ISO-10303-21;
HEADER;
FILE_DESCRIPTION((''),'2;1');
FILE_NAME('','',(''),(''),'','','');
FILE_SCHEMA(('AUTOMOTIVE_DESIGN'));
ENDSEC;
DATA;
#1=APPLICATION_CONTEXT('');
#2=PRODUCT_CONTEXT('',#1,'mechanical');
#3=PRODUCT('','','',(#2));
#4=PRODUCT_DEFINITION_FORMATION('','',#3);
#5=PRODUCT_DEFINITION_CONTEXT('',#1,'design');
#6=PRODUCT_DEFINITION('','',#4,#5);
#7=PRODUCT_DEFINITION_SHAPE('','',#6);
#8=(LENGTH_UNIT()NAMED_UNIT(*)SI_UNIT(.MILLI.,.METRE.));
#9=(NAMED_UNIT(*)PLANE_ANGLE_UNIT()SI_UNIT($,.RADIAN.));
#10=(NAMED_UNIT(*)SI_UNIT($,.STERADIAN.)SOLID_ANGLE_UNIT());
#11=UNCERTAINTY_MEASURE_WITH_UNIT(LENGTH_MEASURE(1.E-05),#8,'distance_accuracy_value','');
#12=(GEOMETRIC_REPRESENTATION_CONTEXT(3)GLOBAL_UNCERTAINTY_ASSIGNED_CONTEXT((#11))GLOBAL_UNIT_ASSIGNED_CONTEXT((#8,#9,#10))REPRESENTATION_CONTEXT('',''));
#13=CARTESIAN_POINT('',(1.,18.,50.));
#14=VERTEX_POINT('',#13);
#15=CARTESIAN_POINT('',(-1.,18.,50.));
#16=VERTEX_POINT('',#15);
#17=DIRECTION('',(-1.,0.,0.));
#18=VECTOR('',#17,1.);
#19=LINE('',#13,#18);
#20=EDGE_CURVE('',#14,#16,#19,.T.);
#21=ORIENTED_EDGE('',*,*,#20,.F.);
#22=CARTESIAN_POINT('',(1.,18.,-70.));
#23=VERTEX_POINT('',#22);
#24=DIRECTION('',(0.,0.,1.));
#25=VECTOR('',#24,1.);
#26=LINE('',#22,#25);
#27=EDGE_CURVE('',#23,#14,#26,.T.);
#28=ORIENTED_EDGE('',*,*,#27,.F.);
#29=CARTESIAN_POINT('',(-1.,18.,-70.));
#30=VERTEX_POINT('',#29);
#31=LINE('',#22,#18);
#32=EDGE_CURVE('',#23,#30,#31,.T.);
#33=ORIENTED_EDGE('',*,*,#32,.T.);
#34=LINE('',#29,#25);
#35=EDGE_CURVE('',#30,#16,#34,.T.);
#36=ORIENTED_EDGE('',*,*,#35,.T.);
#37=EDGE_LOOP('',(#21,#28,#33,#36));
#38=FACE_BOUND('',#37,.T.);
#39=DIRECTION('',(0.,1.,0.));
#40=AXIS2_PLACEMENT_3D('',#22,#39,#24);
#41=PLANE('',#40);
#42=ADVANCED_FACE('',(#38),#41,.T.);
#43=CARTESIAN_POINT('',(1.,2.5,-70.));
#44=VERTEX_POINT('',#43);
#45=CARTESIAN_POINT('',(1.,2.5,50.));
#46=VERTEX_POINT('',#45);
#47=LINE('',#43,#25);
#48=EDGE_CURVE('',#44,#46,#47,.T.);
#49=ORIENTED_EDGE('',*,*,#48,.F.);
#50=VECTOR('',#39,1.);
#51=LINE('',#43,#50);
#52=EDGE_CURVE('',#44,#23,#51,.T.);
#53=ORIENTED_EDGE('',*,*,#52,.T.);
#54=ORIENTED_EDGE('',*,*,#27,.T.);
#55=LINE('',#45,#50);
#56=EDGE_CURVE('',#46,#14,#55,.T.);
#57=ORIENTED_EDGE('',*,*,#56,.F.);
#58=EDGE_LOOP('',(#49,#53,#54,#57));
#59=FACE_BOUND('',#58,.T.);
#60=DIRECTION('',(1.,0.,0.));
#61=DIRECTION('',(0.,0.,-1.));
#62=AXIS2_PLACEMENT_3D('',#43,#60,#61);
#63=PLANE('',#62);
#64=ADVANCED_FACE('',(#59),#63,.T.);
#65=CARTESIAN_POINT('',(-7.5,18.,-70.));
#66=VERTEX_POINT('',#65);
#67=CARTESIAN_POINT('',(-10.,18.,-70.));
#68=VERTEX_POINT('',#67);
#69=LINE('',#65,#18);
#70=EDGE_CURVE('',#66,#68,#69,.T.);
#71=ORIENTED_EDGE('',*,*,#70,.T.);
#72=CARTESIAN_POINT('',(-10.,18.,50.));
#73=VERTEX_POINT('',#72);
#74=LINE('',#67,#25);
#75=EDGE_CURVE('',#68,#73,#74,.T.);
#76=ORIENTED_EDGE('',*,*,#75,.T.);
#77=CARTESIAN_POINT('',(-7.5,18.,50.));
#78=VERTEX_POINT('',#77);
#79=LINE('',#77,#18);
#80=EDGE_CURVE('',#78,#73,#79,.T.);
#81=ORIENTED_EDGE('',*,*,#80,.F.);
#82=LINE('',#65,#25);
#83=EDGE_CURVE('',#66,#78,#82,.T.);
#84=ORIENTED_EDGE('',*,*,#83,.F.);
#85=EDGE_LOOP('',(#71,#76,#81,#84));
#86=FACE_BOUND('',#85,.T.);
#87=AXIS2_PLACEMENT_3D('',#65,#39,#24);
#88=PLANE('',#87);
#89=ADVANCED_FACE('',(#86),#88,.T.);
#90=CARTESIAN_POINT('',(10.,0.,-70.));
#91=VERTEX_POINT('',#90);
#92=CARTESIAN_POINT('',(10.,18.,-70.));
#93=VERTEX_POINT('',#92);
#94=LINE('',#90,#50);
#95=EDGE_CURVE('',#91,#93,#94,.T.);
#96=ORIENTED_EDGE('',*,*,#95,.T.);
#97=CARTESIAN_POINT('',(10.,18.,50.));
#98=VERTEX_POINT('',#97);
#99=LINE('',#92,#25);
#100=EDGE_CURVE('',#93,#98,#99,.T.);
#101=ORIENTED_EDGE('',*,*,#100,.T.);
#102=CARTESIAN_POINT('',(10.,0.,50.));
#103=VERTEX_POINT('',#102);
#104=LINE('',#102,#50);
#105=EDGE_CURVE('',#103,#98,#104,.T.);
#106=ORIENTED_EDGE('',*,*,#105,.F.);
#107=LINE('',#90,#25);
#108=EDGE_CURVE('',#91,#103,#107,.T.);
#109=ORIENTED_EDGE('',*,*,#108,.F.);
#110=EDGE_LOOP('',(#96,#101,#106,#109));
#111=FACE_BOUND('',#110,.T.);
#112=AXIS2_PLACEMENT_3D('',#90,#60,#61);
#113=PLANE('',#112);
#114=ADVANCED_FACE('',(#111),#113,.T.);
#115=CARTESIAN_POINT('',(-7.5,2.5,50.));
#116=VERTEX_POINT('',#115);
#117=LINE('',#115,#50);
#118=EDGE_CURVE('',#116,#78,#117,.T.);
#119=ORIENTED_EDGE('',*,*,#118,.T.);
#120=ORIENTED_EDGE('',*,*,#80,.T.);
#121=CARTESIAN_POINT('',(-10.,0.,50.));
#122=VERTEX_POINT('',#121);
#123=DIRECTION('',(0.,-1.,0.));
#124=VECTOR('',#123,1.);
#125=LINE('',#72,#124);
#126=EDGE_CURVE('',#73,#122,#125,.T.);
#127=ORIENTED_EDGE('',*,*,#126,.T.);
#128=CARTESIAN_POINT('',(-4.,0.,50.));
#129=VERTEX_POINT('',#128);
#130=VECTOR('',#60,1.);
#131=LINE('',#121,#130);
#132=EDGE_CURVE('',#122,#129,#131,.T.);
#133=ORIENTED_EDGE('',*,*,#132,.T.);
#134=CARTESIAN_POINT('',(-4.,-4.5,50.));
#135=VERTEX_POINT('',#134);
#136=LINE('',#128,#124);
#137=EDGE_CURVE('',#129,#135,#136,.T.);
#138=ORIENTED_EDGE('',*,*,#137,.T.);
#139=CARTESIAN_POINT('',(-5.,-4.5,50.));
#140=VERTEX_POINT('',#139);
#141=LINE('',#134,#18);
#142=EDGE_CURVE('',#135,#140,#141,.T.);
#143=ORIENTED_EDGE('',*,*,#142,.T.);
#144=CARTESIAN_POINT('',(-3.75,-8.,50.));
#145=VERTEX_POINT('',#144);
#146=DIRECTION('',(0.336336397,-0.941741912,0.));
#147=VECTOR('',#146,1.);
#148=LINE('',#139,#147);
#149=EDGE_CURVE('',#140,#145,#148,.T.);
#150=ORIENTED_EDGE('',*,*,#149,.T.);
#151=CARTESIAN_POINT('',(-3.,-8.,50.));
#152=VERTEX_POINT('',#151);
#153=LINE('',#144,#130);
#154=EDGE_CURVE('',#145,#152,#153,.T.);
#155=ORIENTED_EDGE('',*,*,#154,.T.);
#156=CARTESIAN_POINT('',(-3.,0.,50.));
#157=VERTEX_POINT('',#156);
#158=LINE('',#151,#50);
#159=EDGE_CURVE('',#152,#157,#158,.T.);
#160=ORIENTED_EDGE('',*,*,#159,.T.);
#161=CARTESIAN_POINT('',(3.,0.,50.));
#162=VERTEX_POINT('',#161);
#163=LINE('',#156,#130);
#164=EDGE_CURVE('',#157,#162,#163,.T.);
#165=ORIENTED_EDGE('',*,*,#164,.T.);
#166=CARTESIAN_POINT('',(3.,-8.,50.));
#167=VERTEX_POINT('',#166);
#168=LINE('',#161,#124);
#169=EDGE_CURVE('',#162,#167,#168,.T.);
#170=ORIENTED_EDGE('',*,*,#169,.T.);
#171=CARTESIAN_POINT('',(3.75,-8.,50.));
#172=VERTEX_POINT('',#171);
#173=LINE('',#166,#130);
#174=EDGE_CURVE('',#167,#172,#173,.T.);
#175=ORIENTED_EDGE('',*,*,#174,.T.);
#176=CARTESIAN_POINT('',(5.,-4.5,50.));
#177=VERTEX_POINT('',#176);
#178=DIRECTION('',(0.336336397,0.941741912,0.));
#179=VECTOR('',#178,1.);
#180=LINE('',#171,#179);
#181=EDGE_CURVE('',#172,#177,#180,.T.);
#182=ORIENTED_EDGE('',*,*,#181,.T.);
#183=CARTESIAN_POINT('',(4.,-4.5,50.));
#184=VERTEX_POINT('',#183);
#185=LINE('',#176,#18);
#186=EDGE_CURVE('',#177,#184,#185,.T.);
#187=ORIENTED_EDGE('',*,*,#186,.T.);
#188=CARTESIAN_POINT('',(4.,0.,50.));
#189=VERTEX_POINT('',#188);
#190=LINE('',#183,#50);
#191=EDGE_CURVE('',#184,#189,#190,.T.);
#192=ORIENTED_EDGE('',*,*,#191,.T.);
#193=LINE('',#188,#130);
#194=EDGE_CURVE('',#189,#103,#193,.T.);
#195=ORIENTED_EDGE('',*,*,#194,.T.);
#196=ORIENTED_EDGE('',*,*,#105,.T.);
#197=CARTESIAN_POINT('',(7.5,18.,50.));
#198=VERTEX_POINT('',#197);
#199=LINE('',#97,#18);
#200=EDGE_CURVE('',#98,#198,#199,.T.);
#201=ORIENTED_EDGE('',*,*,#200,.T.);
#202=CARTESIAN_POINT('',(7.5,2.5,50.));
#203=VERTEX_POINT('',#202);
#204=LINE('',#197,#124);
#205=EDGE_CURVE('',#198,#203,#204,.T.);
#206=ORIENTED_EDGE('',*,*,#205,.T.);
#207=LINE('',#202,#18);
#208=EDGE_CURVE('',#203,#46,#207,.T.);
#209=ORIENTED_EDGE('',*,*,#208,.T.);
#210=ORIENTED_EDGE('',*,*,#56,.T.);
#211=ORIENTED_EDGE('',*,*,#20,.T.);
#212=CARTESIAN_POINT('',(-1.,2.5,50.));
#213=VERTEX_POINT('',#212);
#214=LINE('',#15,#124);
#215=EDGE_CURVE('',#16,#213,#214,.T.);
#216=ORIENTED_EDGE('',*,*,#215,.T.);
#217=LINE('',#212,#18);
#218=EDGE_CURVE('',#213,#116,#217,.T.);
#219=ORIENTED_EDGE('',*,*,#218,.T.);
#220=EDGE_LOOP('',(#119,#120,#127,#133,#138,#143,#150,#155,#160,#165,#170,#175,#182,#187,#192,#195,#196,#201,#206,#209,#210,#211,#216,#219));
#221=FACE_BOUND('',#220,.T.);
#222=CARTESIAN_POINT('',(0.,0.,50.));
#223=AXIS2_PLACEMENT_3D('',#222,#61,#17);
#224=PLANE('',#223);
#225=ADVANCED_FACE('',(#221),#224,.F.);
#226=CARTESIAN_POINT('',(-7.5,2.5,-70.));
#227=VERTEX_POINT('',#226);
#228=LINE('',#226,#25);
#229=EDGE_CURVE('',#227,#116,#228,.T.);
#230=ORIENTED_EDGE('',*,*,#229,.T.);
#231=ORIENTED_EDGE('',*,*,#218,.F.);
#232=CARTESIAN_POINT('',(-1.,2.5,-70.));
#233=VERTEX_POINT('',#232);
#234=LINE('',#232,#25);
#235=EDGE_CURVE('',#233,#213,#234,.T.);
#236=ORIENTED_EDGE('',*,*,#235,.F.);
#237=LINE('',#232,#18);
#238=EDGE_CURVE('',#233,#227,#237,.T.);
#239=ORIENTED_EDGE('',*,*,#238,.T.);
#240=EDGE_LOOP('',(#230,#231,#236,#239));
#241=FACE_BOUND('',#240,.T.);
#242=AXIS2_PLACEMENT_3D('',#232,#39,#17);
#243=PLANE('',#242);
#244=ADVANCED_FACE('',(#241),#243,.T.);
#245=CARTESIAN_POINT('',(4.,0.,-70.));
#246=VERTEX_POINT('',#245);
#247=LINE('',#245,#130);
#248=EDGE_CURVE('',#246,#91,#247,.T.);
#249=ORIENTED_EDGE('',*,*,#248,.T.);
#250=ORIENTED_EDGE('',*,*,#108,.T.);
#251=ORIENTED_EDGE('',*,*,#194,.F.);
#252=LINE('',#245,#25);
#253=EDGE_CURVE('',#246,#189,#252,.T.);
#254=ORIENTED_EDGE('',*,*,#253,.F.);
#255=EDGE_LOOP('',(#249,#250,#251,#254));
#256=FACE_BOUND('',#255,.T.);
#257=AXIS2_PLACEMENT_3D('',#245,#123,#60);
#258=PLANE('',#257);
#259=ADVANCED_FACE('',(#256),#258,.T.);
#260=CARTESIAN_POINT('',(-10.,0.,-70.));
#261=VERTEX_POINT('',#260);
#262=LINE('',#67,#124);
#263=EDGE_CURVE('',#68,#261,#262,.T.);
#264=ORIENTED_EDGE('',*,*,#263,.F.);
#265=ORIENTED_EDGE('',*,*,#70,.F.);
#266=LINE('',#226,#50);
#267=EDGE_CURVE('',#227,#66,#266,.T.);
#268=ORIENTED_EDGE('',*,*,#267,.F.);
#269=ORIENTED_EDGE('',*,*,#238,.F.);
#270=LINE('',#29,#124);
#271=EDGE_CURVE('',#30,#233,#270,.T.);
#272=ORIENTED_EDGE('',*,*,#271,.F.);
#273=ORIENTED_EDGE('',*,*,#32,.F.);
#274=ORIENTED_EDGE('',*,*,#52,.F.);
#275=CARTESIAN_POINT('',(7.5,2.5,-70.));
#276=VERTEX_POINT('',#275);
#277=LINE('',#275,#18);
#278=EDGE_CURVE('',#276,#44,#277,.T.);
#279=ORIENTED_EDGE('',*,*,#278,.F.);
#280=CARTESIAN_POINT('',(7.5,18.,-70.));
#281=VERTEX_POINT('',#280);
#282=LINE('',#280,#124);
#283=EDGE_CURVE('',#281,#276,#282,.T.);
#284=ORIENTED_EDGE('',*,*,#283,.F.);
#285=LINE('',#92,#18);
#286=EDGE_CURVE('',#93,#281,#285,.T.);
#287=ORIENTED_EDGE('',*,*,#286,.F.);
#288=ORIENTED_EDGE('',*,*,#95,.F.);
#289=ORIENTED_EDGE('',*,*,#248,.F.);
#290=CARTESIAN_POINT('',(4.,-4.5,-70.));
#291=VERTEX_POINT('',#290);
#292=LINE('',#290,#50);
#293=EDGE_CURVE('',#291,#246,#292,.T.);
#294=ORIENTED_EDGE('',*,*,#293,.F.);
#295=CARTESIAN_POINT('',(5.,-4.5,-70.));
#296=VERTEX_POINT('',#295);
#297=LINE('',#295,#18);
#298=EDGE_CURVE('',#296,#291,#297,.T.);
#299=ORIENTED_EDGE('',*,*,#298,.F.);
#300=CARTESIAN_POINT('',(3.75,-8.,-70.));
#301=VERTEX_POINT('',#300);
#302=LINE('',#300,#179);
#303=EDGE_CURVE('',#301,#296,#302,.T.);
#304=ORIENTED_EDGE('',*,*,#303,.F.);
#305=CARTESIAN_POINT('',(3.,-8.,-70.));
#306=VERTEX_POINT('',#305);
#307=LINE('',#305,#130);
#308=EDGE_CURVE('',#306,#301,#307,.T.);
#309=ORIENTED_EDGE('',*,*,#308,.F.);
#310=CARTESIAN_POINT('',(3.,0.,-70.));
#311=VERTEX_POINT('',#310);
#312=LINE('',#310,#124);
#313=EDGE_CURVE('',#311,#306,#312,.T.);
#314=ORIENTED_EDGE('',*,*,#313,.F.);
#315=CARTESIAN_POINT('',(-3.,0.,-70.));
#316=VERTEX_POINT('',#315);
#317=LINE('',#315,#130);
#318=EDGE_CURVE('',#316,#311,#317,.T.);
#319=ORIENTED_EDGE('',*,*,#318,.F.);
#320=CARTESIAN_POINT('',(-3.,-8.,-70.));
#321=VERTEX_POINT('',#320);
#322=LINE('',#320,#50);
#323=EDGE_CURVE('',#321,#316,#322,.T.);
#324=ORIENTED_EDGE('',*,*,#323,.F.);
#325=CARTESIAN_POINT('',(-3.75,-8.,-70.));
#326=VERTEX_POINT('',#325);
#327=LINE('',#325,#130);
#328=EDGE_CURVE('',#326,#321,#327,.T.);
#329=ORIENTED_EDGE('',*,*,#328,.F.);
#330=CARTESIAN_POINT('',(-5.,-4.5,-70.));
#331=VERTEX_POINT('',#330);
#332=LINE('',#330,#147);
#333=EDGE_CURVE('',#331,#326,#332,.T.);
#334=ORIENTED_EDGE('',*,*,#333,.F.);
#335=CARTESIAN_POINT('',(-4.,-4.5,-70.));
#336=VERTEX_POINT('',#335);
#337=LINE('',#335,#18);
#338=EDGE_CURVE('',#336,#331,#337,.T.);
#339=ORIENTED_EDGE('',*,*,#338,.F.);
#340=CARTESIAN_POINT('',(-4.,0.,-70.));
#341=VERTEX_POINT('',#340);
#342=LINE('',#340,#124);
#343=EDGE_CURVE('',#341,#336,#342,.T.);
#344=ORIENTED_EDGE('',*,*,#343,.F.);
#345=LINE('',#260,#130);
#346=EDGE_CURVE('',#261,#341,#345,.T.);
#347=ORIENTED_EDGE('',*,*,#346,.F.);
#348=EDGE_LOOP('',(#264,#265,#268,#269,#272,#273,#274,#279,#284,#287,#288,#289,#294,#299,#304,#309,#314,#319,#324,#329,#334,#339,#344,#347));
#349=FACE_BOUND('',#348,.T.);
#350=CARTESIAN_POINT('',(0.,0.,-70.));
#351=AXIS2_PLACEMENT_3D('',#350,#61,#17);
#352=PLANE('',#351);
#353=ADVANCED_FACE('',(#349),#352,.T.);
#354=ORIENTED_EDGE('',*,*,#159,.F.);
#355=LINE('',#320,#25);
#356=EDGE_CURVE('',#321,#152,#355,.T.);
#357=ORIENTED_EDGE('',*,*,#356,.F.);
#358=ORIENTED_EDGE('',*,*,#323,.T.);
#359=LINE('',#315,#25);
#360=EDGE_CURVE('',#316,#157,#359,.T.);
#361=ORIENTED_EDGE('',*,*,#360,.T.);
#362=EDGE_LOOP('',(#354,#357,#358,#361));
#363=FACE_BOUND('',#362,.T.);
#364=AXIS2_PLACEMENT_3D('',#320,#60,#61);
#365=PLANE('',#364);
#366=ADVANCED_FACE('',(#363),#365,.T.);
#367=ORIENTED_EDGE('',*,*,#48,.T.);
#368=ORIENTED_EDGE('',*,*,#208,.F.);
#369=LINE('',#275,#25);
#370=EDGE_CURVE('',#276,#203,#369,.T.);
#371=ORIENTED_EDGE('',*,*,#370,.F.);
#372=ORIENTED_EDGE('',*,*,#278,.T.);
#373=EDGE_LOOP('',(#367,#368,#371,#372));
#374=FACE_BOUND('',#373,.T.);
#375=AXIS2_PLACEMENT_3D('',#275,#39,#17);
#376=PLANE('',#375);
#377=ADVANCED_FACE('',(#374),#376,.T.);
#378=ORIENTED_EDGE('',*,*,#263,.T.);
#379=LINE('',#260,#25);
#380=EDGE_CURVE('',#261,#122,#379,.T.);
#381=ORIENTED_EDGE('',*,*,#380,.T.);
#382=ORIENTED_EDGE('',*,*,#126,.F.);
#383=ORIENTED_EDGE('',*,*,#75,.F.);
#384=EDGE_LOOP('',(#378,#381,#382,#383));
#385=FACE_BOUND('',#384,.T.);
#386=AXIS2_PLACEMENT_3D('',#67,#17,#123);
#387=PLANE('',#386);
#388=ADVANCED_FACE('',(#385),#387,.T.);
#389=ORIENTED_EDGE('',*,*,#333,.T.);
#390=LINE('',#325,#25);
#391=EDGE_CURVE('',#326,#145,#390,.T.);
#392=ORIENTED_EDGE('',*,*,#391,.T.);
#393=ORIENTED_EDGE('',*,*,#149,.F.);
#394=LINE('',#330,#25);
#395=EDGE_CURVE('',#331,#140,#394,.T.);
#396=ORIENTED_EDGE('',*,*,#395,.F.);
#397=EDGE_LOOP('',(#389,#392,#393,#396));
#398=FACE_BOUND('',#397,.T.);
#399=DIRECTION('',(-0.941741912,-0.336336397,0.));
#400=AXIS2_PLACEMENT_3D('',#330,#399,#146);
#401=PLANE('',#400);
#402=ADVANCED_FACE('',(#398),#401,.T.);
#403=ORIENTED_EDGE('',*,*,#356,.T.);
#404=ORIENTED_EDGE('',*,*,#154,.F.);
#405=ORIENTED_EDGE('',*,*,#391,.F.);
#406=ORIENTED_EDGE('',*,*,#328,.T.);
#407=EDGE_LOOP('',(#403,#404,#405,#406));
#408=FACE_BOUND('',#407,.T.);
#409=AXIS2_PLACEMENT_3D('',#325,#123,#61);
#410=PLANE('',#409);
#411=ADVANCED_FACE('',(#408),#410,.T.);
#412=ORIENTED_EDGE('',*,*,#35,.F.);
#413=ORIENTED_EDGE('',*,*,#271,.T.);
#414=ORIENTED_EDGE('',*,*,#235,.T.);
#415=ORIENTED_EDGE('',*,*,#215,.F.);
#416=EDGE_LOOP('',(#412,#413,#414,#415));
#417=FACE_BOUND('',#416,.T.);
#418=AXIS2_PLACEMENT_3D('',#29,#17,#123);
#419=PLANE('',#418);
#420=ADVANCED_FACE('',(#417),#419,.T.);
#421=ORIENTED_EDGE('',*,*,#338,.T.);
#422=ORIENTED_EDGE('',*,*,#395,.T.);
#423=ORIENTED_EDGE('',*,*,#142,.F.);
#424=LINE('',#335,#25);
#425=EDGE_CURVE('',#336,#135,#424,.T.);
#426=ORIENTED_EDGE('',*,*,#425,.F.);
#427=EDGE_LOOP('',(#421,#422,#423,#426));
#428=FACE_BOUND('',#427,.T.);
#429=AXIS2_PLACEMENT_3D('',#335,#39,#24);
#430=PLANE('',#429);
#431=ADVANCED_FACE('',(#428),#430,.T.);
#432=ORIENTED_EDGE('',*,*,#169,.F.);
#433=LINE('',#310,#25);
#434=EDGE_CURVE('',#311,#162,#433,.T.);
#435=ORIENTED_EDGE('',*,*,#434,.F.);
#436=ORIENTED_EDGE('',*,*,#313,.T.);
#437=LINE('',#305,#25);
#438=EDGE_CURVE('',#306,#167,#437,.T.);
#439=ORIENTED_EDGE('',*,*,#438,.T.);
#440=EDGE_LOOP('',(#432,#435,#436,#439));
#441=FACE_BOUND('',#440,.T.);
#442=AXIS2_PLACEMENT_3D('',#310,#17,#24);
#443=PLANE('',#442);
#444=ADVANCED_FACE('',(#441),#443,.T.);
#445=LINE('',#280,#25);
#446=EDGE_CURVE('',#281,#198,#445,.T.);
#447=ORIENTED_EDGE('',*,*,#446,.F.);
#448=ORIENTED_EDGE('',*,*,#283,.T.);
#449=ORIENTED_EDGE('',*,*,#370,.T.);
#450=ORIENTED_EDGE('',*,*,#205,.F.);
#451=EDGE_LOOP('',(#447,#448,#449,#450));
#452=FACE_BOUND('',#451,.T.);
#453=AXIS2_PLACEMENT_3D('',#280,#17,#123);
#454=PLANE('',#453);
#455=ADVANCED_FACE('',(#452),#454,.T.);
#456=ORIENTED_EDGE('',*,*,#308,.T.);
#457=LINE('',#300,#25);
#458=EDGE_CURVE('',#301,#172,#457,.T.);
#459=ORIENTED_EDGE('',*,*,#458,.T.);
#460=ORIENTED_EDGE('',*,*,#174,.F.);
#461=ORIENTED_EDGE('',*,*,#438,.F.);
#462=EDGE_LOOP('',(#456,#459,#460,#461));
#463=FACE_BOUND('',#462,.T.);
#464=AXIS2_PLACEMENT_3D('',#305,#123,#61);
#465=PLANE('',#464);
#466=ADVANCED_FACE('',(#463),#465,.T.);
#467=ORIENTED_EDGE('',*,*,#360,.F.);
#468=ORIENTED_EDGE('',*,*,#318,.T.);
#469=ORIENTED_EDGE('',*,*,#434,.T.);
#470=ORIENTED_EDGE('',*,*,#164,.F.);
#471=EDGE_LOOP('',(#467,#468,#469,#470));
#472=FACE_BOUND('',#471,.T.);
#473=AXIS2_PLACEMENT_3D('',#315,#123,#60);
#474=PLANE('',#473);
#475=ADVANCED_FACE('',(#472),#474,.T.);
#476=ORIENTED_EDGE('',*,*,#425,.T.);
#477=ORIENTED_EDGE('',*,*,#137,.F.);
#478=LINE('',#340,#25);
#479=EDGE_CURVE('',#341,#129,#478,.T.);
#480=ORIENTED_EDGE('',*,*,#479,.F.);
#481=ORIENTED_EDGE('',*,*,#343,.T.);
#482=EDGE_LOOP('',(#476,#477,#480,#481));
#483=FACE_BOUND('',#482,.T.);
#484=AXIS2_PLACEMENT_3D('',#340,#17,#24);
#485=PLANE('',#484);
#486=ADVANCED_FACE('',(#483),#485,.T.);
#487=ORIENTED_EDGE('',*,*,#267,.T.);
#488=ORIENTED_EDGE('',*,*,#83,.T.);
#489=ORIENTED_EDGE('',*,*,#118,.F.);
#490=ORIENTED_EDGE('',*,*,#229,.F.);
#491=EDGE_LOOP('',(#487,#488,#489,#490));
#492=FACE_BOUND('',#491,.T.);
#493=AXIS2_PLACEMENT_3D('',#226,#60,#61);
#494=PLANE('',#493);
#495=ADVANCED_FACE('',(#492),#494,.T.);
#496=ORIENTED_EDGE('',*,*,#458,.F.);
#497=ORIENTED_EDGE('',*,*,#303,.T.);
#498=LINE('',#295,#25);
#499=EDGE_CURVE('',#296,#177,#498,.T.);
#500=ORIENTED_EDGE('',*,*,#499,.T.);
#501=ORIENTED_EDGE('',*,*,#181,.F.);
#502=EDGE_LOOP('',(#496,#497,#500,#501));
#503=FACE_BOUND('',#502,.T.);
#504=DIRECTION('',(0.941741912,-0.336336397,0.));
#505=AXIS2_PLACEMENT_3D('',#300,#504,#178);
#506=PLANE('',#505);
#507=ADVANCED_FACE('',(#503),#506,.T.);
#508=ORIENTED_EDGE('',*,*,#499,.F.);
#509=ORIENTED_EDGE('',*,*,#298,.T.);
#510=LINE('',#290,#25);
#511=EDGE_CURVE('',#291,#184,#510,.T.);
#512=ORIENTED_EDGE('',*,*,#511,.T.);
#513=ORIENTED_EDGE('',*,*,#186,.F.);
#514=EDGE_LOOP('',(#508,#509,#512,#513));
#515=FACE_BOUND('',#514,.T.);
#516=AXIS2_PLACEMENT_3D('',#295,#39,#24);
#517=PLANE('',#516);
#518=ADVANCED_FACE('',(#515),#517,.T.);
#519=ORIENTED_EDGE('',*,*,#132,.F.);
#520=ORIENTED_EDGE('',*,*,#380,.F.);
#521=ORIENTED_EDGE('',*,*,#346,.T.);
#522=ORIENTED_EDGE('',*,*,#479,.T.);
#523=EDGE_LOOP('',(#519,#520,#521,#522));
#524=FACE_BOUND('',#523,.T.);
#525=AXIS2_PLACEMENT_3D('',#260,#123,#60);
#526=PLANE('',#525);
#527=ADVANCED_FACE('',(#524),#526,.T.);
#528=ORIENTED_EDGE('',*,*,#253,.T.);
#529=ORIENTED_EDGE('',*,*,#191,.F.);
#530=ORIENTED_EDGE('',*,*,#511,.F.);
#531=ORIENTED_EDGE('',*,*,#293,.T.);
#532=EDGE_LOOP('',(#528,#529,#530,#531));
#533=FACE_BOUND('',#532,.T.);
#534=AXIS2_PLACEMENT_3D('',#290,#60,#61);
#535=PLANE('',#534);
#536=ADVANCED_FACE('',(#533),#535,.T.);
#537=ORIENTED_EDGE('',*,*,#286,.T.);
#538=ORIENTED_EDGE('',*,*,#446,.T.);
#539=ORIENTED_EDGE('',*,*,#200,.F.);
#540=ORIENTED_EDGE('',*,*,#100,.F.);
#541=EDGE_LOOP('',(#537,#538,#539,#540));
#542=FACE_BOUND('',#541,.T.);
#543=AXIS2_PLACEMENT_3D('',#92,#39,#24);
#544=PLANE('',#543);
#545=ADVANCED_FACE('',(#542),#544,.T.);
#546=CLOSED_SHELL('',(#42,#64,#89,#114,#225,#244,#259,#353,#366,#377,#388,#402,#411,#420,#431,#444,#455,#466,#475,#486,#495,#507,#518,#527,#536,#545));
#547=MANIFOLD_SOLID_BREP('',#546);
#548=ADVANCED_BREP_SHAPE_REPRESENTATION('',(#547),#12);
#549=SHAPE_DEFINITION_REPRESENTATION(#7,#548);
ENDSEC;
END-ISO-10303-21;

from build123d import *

# Parameters (mm, degrees)
BOSS_EXTRU_1_DEPTH = 120


with BuildPart() as part:
    # Esquisse1 → Boss.-Extru.1 (new body)
    with BuildSketch(Plane.XY.offset(50)):
        Polygon((-1, 2.5), (-7.5, 2.5), (-7.5, 17.999999998), (-10, 17.999999998), (-10, 0), (-4, 0), (-4, -4.5), (-5, -4.5), (-3.75, -8), (-3, -8), (-3, 0), (3, 0), (3, -8), (3.75, -8), (5, -4.5), (4, -4.5), (4, 0), (10, 0), (10, 17.999999998), (7.5, 17.999999998), (7.5, 2.5), (1, 2.5), (1, 17.999999998), (-1, 17.999999998), align=None)
    extrude(amount=-BOSS_EXTRU_1_DEPTH)


solid = part.part
